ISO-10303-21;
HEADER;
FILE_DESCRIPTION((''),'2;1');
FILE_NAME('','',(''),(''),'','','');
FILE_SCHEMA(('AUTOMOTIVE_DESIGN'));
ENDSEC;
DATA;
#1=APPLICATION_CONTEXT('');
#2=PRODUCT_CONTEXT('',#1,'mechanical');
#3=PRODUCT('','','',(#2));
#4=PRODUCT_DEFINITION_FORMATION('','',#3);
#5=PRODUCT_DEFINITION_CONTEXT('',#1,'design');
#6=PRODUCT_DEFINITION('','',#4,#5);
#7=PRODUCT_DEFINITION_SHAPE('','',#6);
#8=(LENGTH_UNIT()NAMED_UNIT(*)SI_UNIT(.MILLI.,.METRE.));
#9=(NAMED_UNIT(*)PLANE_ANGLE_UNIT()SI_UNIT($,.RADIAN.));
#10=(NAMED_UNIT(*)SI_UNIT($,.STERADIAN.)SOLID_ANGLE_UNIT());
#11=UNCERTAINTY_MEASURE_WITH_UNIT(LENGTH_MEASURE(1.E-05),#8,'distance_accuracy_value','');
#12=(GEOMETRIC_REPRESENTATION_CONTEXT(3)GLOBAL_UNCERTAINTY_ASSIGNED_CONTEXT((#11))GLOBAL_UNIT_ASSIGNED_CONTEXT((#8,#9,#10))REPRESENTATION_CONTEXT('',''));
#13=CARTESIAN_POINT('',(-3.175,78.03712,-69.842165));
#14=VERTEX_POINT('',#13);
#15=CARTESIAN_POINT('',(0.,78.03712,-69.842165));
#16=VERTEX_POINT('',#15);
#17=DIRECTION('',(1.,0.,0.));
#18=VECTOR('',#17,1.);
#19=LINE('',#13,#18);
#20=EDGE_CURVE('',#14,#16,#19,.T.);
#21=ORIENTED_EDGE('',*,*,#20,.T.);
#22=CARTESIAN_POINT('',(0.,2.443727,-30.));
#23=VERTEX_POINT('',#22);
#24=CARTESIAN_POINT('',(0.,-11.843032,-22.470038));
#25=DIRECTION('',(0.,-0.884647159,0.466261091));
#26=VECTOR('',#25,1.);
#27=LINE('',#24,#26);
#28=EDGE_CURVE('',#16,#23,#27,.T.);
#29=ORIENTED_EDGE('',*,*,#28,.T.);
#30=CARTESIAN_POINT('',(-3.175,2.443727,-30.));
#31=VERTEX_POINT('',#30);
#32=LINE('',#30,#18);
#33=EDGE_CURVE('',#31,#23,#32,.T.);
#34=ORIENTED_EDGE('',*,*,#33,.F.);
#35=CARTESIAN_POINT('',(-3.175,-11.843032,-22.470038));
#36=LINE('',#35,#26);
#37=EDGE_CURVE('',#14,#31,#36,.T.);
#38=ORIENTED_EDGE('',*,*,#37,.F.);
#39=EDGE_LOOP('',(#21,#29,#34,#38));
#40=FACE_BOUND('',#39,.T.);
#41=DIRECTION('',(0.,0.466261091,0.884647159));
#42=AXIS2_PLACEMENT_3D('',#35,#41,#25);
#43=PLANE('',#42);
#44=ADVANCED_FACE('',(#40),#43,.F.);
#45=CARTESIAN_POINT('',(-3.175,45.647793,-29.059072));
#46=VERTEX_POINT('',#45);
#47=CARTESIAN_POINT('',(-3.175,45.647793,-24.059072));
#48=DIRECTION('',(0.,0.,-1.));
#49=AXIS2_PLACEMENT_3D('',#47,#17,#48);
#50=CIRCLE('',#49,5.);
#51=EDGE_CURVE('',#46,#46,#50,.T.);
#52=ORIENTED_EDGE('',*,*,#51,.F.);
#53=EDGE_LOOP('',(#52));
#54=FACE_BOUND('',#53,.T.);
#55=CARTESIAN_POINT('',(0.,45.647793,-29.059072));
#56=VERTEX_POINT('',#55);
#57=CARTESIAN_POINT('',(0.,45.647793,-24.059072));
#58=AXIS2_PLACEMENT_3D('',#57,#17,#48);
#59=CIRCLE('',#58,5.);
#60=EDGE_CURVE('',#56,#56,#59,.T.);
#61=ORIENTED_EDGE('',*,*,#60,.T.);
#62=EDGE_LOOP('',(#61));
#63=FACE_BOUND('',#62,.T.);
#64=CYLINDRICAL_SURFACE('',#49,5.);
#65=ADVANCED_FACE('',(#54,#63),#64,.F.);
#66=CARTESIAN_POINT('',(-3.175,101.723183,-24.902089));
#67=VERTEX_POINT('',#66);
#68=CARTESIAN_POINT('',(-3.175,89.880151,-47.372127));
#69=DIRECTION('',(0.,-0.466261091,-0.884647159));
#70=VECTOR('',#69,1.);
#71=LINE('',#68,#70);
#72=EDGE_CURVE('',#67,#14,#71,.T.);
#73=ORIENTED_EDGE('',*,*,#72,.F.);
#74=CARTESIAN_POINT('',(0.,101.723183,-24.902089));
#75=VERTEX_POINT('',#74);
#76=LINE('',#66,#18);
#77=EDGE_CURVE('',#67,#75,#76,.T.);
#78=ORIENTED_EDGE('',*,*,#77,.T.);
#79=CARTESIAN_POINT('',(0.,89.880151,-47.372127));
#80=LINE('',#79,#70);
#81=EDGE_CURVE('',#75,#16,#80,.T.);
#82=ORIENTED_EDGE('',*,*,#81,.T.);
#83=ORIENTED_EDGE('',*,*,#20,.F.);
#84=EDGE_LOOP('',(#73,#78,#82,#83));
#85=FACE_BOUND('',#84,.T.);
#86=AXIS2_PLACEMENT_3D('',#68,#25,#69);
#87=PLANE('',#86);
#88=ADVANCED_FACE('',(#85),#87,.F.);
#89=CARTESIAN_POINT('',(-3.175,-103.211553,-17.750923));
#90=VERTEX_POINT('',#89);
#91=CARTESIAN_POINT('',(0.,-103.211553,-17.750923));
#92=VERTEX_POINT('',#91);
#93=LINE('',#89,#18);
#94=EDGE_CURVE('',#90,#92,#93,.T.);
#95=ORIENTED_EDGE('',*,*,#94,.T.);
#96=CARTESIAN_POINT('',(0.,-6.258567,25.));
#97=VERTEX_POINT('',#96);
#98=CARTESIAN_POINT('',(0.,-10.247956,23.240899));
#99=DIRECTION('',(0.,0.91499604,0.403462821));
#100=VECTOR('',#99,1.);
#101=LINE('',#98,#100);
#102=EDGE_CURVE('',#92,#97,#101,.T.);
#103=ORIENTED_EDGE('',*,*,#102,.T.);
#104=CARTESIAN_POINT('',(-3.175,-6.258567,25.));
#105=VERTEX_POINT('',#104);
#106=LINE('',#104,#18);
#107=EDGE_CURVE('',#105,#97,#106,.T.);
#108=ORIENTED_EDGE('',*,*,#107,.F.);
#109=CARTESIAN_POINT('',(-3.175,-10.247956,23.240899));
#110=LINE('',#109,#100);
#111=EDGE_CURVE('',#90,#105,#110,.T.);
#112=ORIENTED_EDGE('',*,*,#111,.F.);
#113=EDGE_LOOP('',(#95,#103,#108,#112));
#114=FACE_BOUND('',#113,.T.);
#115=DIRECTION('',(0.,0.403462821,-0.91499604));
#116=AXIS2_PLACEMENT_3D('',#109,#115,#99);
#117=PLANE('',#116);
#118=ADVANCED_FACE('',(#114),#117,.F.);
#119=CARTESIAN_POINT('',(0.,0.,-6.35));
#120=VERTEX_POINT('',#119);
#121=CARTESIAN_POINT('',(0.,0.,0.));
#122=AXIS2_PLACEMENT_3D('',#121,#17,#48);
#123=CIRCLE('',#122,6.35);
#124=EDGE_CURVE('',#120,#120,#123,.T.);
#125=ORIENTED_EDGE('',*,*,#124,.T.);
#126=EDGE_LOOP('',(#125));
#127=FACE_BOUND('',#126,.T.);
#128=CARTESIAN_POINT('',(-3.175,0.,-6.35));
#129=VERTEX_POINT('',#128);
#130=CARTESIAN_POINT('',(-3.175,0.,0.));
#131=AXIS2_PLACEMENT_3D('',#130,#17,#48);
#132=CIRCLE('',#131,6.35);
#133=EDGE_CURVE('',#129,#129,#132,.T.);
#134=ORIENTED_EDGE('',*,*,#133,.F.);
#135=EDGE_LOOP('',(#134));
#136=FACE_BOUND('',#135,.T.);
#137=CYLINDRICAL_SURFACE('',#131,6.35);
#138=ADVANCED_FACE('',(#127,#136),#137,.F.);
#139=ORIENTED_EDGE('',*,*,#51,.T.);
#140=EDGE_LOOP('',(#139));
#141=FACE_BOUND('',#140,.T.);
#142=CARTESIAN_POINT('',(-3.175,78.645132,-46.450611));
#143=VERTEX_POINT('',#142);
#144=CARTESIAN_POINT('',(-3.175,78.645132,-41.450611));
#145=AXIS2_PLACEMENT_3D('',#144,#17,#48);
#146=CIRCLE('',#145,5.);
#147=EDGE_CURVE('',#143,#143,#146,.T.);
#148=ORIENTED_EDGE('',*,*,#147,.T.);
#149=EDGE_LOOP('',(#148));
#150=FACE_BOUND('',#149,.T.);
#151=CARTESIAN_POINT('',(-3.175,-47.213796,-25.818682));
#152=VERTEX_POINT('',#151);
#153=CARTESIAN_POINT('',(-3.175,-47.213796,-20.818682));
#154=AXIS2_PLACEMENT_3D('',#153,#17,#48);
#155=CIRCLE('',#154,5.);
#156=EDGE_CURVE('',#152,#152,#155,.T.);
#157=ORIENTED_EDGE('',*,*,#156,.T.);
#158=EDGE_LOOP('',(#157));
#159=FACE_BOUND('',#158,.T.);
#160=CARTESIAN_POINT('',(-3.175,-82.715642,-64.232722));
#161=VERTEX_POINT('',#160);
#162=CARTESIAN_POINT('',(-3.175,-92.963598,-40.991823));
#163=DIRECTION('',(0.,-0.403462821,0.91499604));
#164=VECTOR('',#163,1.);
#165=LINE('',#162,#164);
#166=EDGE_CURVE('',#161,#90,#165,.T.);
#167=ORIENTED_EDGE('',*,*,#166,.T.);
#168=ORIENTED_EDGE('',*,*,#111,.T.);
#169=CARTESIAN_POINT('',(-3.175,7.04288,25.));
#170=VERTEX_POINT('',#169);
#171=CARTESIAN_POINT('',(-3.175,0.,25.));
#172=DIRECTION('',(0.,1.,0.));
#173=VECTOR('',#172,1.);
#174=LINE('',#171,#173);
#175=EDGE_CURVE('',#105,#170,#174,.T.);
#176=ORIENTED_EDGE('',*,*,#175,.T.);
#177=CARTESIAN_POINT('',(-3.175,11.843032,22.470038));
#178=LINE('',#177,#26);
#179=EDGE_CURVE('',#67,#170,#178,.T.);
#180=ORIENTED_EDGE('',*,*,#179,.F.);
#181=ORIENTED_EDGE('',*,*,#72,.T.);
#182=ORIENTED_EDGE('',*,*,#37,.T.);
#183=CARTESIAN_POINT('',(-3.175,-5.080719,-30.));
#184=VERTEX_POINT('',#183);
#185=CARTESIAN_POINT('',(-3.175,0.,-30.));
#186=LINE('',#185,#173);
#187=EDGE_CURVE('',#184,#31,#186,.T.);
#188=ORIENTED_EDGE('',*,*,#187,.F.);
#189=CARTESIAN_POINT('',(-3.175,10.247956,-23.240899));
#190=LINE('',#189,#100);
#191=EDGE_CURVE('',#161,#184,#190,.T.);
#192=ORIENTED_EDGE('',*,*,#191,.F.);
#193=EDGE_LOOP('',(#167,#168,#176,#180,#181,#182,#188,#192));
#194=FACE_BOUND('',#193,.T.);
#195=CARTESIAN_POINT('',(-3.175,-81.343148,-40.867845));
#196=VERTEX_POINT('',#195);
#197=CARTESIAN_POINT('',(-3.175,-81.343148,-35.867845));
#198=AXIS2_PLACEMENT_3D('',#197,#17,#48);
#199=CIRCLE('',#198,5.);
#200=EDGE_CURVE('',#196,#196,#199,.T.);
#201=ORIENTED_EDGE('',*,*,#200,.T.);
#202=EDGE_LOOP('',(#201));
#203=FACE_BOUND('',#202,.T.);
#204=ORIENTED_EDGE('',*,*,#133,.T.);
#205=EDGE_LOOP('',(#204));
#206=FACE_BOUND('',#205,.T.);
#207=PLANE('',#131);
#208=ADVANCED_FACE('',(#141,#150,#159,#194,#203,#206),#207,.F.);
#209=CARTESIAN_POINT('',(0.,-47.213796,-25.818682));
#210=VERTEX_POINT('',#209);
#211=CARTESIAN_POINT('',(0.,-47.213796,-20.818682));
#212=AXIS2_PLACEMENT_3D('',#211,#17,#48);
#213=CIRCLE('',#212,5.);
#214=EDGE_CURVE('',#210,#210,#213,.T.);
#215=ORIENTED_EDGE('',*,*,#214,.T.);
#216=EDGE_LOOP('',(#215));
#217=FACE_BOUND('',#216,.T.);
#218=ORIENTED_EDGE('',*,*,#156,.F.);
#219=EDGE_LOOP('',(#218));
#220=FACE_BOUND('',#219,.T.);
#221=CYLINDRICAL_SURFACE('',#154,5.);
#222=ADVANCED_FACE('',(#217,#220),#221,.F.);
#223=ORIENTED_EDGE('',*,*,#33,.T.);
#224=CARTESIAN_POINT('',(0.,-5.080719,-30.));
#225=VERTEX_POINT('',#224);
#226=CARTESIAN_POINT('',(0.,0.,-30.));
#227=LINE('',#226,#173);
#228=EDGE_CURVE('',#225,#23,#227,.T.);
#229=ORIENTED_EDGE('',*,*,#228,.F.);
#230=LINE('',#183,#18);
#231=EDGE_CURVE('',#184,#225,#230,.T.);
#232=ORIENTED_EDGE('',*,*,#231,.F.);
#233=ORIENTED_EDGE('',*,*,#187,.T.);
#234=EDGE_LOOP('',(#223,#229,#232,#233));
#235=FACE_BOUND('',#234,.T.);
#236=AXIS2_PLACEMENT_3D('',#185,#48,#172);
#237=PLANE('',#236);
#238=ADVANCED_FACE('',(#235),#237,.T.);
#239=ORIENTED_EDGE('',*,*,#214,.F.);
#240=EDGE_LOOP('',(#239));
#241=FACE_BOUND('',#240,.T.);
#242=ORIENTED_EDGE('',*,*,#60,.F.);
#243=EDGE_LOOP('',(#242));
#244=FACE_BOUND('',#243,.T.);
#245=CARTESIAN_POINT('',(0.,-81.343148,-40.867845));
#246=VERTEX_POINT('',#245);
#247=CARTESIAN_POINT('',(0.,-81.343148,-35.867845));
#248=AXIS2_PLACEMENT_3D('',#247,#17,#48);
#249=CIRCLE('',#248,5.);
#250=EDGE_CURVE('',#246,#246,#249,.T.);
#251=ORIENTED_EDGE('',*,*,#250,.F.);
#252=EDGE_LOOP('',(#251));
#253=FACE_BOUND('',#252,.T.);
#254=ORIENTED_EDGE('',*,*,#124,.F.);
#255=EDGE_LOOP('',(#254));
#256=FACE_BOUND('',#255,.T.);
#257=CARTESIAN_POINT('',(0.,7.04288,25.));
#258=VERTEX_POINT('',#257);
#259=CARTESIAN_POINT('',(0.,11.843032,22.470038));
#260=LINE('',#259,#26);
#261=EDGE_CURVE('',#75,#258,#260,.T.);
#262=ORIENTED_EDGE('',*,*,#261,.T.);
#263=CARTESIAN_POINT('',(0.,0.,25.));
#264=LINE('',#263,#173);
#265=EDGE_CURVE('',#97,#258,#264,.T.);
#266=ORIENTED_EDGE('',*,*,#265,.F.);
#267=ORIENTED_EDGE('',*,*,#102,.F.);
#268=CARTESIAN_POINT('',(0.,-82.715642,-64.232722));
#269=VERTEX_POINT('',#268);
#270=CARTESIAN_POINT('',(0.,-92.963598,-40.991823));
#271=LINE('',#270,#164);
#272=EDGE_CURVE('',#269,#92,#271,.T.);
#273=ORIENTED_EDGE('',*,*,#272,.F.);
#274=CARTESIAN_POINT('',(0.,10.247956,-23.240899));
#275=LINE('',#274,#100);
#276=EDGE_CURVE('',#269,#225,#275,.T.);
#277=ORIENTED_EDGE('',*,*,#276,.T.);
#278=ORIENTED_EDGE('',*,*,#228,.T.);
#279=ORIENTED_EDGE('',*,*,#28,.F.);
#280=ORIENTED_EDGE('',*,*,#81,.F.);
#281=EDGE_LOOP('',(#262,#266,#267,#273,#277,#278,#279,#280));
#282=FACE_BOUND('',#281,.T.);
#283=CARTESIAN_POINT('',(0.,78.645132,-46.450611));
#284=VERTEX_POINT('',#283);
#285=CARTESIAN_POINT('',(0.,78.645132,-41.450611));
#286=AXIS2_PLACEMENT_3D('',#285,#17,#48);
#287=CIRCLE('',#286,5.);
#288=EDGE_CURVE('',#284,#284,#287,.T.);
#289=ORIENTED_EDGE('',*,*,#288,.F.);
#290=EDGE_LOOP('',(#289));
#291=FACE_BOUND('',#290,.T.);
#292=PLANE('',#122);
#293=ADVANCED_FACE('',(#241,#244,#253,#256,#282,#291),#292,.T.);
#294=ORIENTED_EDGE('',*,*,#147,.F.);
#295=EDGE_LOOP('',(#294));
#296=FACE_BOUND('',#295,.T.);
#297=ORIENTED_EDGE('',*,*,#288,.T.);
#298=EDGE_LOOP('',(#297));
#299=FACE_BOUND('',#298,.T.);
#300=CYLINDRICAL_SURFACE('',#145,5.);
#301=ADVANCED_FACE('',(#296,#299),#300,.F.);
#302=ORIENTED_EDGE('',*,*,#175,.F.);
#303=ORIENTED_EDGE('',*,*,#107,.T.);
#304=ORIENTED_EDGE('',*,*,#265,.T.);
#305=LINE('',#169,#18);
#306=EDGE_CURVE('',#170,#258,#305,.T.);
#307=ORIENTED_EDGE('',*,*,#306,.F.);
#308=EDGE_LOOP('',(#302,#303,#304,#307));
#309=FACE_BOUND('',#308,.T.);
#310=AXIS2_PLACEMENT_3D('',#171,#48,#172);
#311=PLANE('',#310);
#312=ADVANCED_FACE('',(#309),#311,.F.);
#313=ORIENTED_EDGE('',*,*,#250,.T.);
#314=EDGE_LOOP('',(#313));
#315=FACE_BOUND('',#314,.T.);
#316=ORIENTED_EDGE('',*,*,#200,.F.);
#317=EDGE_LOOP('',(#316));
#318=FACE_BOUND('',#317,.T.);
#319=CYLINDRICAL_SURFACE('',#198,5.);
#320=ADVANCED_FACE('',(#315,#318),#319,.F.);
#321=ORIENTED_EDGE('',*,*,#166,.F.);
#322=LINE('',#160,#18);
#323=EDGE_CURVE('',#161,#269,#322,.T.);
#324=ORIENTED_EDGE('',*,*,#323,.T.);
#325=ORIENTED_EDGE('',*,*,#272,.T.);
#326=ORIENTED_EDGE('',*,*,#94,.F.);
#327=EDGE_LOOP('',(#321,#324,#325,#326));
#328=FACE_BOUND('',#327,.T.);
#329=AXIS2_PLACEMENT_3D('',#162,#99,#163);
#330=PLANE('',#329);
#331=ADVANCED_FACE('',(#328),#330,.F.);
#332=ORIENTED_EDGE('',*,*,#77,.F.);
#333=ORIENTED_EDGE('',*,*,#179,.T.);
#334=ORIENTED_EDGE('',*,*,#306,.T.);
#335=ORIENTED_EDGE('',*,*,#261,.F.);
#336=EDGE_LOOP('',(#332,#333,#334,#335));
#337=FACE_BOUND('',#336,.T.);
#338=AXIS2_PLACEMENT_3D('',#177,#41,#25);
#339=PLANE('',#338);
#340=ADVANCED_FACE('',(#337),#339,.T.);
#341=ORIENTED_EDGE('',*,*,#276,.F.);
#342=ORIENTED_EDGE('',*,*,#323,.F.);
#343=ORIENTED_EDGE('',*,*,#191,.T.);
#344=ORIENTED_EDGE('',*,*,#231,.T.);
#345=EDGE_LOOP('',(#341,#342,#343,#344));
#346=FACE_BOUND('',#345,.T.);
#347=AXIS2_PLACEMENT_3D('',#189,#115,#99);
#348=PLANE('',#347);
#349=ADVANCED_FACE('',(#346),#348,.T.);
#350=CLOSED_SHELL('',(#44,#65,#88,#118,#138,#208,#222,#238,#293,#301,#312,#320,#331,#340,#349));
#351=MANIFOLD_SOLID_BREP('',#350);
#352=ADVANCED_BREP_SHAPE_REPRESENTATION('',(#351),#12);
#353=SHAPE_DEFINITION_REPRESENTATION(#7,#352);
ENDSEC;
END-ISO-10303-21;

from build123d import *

# Parameters (mm, degrees)
SKETCH1_R           = 6.35
SKETCH1_R_2         = 5
BOSS_EXTRUDE1_DEPTH = 3.175


with BuildPart() as part:
    # Sketch1 → Boss-Extrude1 (new body)
    with BuildSketch(Plane.YZ):
        Polygon((-92.963597619, -40.991822572), (-82.715641976, -64.232721977), (-5.080718921, -30), (2.443726878, -30), (78.037119616, -69.842164643), (89.880151319, -47.372126813), (101.723183023, -24.902088983), (7.042880264, 25), (-6.258566793, 25), (-103.211553262, -17.750923167), align=None)
        with Locations(Location((0, 0, 0), (0, 0, 270))):
            Circle(SKETCH1_R, mode=Mode.SUBTRACT)
        with Locations(Location((-81.343147916, -35.867844751, 0), (0, 0, 270))):
            Circle(SKETCH1_R_2, mode=Mode.SUBTRACT)
        with Locations(Location((-47.213795641, -20.818681542, 0), (0, 0, 270))):
            Circle(SKETCH1_R_2, mode=Mode.SUBTRACT)
        with Locations(Location((78.645132405, -41.450610961, 0), (0, 0, 270))):
            Circle(SKETCH1_R_2, mode=Mode.SUBTRACT)
        with Locations(Location((45.647793387, -24.059072279, 0), (0, 0, 270))):
            Circle(SKETCH1_R_2, mode=Mode.SUBTRACT)
    extrude(amount=-BOSS_EXTRUDE1_DEPTH)


solid = part.part
